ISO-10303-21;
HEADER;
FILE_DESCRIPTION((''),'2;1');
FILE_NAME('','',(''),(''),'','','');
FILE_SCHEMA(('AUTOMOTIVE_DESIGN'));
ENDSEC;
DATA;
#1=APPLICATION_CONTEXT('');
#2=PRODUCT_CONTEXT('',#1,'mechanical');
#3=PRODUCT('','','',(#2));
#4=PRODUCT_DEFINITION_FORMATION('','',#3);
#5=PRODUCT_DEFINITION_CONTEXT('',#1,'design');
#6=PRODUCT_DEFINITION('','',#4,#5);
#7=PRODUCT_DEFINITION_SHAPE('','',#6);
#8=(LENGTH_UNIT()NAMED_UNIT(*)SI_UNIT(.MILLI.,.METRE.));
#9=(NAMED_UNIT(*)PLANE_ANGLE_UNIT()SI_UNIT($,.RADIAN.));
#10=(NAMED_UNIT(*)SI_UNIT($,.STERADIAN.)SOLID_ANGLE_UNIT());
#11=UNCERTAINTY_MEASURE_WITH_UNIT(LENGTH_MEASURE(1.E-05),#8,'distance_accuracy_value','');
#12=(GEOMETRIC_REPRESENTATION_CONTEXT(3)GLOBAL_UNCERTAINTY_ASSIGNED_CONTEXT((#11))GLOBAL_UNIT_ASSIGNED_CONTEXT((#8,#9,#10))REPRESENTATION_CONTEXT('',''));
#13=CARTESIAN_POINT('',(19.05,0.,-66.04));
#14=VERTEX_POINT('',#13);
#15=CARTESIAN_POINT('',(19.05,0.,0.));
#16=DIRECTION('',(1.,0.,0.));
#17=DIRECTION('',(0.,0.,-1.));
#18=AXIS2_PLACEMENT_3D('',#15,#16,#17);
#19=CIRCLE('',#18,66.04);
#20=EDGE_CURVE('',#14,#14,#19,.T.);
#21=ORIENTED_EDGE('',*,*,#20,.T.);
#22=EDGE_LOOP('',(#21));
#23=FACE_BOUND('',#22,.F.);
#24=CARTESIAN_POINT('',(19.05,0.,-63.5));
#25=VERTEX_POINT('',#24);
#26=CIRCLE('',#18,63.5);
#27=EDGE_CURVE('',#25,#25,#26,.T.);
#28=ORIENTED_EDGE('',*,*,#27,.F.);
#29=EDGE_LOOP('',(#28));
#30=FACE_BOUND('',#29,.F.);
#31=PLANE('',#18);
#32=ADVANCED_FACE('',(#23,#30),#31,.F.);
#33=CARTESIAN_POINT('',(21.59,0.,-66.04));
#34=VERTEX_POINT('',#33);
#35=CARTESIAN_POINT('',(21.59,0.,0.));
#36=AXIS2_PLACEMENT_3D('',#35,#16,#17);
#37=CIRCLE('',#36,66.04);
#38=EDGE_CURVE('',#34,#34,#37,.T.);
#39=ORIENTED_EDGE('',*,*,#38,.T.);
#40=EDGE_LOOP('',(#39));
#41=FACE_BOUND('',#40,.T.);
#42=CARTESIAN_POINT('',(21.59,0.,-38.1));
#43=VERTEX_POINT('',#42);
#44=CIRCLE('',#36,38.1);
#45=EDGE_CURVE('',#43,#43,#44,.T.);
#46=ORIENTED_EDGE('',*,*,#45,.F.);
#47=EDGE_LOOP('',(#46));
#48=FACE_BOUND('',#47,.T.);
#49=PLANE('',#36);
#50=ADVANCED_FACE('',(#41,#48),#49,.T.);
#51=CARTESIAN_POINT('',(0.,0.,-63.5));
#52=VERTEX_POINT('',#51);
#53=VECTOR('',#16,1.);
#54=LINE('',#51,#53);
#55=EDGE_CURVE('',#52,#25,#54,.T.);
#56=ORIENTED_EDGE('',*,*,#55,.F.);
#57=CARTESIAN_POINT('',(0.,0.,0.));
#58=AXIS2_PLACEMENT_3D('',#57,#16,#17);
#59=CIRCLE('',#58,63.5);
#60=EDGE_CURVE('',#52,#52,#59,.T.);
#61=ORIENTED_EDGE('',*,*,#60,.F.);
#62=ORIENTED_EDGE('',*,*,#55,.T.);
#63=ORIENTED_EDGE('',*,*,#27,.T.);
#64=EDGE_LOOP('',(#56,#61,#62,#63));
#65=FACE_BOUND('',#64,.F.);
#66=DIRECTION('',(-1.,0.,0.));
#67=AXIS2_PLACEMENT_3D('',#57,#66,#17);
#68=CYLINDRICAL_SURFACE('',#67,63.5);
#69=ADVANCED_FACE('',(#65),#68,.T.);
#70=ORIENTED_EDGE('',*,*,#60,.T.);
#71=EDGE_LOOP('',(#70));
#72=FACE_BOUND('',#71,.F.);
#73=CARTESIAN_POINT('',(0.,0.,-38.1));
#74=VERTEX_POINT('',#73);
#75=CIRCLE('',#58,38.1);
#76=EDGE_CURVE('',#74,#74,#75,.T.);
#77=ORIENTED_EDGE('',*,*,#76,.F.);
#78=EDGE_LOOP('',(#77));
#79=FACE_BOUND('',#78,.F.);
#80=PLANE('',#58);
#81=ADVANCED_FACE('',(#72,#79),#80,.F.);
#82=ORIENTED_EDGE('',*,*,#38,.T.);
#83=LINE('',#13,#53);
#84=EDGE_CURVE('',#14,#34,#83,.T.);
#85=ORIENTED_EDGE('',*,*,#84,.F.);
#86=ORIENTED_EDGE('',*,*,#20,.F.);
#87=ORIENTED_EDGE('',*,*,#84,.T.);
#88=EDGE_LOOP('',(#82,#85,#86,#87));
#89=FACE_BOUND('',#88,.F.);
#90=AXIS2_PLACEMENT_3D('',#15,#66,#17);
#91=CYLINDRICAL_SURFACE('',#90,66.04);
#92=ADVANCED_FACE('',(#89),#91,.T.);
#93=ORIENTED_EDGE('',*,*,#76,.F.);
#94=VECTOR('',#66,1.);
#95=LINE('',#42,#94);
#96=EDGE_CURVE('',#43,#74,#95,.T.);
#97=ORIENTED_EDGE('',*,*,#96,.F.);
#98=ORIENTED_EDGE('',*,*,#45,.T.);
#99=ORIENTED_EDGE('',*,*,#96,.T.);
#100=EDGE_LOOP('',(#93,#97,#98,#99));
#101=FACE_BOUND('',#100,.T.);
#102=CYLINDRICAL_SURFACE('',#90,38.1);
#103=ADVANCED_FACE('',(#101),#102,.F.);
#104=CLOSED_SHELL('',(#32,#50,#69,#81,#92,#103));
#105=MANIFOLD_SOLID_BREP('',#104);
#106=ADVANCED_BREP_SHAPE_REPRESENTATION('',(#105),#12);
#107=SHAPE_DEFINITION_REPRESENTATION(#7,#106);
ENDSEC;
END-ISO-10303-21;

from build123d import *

# Parameters (mm, degrees)
SKETCH1_R           = 63.5
SKETCH1_R_2         = 38.1
BOSS_EXTRUDE1_DEPTH = 19.05
SKETCH3_R           = 66.04
SKETCH3_R_2         = 38.1
BOSS_EXTRUDE2_DEPTH = 2.54


with BuildPart() as part:
    # Sketch1 → Boss-Extrude1 (new body)
    with BuildSketch(Plane(origin=(0, 0, 0), x_dir=(0, 0, -1), z_dir=(1, 0, 0))):
        Circle(SKETCH1_R)
        Circle(SKETCH1_R_2, mode=Mode.SUBTRACT)
    extrude(amount=BOSS_EXTRUDE1_DEPTH)

    # Sketch3 → Boss-Extrude2 (add)
    with BuildSketch(Plane(origin=(19.05, 0, 0), x_dir=(0, 0, -1), z_dir=(1, 0, 0))):
        Circle(SKETCH3_R)
        Circle(SKETCH3_R_2, mode=Mode.SUBTRACT)
    extrude(amount=BOSS_EXTRUDE2_DEPTH)


solid = part.part
